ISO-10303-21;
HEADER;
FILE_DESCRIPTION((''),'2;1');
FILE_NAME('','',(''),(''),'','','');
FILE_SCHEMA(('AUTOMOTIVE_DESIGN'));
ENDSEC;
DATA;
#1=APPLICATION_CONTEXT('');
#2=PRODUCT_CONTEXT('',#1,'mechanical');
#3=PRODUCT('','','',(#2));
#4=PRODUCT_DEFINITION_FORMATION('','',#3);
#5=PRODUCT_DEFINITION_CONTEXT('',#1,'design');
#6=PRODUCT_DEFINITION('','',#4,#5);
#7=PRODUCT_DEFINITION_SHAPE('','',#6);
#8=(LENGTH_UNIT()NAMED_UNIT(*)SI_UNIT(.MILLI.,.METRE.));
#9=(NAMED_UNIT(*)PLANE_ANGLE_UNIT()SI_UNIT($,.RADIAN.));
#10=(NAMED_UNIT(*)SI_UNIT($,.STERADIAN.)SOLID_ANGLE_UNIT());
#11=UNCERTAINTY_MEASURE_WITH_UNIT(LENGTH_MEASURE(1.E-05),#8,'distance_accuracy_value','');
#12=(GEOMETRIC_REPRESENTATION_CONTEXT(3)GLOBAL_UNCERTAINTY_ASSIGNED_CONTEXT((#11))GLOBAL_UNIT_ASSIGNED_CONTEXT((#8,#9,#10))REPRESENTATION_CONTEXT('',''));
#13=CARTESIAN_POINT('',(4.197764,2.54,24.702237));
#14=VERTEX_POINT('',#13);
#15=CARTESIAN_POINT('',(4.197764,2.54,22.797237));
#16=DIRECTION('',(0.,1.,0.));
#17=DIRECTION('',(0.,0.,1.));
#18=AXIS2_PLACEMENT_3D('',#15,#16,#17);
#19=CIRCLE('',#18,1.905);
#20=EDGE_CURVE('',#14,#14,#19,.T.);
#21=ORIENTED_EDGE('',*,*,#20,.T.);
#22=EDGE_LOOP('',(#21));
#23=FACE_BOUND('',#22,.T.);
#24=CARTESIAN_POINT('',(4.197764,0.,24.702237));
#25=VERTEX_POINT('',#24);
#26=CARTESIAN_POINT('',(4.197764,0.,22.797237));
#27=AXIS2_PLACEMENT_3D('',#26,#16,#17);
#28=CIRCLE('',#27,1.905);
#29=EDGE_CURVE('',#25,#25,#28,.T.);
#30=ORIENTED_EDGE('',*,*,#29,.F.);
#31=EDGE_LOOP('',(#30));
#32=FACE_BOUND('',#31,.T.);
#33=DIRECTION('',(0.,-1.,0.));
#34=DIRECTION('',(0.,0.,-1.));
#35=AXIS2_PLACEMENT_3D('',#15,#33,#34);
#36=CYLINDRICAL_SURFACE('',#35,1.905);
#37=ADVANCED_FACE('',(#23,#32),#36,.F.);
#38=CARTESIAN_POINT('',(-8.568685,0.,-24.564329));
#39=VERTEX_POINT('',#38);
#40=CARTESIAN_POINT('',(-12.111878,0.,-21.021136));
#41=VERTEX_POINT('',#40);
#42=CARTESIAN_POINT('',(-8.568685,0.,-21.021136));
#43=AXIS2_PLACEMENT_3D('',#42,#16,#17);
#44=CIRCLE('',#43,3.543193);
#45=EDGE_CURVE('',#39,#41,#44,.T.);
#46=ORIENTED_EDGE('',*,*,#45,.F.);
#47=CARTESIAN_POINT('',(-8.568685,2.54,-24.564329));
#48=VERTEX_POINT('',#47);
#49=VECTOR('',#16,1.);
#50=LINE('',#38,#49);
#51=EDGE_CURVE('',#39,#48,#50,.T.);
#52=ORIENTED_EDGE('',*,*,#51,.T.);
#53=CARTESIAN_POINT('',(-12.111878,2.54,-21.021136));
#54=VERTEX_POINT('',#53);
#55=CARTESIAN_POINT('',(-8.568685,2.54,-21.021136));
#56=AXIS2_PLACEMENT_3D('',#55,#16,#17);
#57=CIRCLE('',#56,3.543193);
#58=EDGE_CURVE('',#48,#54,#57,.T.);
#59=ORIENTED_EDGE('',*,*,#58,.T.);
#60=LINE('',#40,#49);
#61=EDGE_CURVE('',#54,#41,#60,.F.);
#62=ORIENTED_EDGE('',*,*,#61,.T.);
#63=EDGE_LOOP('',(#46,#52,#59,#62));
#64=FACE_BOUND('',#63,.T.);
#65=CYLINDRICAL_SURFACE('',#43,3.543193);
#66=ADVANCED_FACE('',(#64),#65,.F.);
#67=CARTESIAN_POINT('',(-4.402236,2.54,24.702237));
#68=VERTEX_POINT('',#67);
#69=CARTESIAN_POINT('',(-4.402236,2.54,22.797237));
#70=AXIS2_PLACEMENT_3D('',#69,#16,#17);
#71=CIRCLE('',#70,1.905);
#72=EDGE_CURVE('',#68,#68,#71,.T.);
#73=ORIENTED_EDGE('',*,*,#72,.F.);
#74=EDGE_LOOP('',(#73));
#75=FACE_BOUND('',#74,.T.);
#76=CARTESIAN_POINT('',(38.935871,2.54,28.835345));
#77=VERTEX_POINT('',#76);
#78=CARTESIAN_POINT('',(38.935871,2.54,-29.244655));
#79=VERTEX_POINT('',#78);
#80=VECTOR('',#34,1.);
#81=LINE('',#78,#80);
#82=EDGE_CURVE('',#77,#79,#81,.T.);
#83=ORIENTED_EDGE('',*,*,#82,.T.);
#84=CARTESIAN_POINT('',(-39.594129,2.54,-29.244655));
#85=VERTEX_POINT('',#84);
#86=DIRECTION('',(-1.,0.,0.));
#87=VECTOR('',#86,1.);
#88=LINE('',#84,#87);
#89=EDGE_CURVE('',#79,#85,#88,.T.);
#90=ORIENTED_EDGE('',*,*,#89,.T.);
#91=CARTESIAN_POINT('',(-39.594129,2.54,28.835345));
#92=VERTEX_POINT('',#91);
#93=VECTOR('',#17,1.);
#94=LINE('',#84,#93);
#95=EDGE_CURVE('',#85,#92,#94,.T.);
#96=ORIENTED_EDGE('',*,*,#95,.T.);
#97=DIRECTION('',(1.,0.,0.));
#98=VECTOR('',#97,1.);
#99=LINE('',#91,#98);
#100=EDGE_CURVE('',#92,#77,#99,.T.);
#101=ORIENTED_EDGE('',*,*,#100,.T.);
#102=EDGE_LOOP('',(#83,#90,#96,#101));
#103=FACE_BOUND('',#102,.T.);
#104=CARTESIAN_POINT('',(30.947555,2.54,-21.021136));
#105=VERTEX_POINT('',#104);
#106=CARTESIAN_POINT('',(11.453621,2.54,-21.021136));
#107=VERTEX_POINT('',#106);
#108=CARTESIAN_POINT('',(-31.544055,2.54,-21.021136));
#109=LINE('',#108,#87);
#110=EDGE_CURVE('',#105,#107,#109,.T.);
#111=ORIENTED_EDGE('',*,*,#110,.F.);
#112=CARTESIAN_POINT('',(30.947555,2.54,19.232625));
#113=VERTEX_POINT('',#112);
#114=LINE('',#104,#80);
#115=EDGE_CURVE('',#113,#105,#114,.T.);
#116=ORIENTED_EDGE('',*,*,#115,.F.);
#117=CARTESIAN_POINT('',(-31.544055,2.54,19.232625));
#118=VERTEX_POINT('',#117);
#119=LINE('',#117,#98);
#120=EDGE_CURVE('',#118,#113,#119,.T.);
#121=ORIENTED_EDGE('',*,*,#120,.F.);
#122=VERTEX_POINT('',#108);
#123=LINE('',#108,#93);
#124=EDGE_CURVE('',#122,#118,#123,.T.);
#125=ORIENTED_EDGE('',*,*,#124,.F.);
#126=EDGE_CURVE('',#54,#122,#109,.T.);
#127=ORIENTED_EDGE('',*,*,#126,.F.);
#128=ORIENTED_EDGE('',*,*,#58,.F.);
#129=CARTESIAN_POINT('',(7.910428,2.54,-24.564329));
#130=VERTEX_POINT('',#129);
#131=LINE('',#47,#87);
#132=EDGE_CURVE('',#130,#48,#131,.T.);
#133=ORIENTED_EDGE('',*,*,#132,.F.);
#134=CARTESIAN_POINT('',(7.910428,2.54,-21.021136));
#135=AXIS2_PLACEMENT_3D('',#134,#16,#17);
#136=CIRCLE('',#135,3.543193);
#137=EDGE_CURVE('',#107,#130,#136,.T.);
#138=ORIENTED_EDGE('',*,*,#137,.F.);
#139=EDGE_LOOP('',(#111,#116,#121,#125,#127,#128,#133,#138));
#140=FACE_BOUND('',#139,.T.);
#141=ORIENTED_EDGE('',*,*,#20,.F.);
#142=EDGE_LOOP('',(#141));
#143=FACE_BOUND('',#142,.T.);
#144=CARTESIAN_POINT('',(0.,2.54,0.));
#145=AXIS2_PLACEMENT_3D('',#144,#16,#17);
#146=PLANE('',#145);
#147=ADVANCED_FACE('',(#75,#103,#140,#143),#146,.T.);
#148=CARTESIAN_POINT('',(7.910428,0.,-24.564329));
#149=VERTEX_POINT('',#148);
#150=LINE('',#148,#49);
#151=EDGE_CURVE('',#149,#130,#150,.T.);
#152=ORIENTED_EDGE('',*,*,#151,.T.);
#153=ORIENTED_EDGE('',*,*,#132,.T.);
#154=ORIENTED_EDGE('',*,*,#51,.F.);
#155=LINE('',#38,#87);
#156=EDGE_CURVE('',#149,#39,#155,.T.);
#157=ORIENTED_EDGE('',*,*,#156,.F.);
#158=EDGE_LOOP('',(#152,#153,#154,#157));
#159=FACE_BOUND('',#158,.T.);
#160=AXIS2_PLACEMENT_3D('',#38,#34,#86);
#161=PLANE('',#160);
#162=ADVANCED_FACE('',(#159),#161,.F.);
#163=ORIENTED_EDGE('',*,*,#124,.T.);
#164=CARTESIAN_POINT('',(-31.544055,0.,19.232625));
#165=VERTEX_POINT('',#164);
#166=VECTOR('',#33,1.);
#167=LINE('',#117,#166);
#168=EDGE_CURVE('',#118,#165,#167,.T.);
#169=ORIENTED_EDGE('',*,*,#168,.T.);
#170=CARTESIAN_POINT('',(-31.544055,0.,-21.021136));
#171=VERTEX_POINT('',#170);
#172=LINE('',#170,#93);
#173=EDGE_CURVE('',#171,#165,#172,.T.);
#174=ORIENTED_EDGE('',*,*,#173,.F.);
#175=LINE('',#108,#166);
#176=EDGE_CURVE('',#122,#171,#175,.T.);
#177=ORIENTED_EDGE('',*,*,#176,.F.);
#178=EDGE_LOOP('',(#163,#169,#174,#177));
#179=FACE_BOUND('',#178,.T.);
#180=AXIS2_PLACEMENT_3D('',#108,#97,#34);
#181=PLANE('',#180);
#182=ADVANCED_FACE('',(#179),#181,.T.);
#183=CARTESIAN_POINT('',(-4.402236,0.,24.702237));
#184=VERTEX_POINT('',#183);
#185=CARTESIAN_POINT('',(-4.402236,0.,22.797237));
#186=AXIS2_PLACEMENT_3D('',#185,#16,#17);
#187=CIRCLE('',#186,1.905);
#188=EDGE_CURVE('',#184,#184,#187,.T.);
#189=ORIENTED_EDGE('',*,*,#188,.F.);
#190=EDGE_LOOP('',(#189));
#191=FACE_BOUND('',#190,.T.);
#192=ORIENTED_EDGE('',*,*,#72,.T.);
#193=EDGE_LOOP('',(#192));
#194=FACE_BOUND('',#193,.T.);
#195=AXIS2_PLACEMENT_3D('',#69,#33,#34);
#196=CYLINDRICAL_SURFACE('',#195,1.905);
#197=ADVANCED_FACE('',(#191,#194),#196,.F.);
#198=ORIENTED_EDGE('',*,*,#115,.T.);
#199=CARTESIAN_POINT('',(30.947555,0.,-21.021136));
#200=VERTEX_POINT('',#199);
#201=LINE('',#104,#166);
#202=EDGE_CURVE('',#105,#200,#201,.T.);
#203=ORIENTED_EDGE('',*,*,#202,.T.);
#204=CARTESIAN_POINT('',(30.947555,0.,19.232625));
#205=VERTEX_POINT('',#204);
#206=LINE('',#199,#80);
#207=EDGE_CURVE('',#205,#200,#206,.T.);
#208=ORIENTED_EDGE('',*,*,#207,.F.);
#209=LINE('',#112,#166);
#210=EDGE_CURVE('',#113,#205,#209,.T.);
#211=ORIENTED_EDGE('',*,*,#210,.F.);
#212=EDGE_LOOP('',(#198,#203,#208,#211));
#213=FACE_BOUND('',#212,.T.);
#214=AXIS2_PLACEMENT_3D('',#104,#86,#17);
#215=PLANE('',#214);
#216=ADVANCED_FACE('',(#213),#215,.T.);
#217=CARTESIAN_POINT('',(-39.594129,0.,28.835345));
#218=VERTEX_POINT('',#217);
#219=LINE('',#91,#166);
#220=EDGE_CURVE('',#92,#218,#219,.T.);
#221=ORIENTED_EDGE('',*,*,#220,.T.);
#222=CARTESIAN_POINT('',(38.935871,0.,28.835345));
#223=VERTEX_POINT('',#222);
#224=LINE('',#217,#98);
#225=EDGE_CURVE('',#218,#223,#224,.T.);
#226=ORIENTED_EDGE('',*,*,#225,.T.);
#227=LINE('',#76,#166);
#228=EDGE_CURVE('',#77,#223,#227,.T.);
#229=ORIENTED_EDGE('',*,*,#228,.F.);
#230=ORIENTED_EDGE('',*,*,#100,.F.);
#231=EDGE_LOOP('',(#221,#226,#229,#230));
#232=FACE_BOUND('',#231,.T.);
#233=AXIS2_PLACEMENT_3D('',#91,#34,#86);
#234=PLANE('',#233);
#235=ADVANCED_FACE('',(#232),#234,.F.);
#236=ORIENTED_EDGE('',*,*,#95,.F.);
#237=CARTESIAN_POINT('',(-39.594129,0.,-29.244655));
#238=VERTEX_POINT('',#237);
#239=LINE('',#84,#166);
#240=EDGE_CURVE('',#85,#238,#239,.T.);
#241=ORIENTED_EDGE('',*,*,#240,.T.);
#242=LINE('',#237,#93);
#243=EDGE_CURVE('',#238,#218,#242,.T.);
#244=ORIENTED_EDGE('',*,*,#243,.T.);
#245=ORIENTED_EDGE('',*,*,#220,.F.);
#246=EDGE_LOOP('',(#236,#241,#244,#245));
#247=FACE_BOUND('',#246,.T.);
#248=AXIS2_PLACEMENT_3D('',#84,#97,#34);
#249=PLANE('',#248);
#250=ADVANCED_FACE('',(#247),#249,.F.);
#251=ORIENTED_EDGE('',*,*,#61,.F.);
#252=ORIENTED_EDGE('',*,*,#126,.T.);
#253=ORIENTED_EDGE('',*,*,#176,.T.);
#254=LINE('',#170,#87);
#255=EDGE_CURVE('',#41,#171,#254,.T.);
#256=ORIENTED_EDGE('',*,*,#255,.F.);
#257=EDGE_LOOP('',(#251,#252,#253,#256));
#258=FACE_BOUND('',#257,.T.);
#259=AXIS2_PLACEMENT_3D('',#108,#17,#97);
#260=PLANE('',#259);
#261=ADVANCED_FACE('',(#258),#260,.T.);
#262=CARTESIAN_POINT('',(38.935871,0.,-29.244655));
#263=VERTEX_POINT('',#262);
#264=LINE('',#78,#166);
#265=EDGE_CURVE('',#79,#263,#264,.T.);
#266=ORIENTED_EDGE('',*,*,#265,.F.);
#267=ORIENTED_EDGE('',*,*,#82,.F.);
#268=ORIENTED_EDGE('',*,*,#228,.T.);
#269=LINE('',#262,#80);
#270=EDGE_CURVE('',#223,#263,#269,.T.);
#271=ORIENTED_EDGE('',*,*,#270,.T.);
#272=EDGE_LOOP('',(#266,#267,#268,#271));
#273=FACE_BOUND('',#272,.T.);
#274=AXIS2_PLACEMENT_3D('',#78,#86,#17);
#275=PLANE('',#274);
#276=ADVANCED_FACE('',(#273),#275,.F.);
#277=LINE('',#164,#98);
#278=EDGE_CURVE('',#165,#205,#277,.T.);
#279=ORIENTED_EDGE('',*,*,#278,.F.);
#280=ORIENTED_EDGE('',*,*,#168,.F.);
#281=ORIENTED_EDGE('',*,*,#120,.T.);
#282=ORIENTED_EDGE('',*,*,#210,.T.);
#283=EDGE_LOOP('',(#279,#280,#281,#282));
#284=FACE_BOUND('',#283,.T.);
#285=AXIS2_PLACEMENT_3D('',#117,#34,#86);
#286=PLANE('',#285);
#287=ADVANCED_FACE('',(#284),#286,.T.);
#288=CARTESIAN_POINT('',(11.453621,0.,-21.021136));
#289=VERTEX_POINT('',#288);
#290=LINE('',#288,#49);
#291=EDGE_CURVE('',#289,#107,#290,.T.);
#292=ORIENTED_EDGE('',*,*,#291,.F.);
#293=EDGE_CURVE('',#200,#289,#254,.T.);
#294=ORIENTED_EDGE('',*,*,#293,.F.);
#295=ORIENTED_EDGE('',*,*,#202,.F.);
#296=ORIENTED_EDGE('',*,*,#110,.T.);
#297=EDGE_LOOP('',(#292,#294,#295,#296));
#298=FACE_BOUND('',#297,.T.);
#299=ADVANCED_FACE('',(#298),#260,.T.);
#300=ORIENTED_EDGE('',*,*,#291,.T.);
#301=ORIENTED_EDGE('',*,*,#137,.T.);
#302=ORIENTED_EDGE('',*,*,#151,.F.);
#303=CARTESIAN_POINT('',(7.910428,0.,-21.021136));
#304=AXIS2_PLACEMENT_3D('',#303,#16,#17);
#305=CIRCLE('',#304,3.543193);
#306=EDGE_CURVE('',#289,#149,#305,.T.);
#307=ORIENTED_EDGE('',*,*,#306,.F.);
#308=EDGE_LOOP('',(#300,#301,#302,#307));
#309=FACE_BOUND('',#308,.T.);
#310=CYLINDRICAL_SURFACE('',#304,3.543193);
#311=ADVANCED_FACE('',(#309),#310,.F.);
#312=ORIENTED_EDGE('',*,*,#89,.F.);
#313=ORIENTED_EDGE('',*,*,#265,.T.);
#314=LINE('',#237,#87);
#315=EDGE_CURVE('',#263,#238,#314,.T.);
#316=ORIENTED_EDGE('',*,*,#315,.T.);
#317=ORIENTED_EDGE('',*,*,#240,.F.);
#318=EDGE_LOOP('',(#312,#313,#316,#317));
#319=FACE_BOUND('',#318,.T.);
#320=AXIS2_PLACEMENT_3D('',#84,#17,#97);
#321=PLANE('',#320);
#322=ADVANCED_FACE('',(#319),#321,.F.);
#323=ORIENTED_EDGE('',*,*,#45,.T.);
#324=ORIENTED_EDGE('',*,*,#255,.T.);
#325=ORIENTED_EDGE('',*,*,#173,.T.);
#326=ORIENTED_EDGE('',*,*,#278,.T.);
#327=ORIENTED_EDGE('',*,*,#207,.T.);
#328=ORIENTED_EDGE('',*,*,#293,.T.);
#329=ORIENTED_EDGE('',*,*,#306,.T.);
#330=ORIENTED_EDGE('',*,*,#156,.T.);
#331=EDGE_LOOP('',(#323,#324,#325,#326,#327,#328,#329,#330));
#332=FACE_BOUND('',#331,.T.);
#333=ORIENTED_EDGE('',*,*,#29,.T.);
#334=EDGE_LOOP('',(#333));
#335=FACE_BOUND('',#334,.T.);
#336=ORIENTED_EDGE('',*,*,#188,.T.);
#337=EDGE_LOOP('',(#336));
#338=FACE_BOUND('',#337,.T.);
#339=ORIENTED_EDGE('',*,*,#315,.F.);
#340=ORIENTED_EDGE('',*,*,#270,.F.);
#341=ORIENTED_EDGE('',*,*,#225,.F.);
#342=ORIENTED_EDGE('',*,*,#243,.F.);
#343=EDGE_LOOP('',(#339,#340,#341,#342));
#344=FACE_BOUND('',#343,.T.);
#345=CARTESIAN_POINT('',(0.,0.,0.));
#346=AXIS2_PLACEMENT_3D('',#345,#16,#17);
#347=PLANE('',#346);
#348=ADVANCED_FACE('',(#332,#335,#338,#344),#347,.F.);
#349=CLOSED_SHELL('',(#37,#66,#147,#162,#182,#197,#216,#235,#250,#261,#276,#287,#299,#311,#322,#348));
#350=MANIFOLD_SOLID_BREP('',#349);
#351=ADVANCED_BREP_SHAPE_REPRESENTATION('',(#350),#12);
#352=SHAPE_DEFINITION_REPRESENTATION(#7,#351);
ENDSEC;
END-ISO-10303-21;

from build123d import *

# Parameters (mm, degrees)
SKETCH1_W           = 78.53
SKETCH1_H           = 58.08
SKETCH1_R           = 1.905
SKETCH1_W_2         = 62.491610006
SKETCH1_H_2         = 40.253760829
BOSS_EXTRUDE1_DEPTH = 2.54
CUT_EXTRUDE1_DEPTH  = 2.54


with BuildPart() as part:
    # Sketch1 → Boss-Extrude1 (new body)
    with BuildSketch(Plane(origin=(0, 0, 0), x_dir=(1, 0, 0), z_dir=(0, 1, 0))):
        with Locations((-0.329128556, 0.204655215)):
            Rectangle(SKETCH1_W, SKETCH1_H)
        with Locations(Location((-4.402236218, -22.797237123, 0), (0, 0, 270))):
            Circle(SKETCH1_R, mode=Mode.SUBTRACT)
        with Locations(Location((4.197763782, -22.797237123, 0), (0, 0, 270))):
            Circle(SKETCH1_R, mode=Mode.SUBTRACT)
        with Locations((-0.298250033, 0.894255625)):
            Rectangle(SKETCH1_W_2, SKETCH1_H_2, mode=Mode.SUBTRACT)
    extrude(amount=BOSS_EXTRUDE1_DEPTH)

    # Sketch2 → Cut-Extrude1 (cut)
    with BuildSketch(Plane(origin=(0, 2.54, 0), x_dir=(1, 0, 0), z_dir=(0, 1, 0))):
        with BuildLine():
            Line((-8.568685341, 24.564329148), (7.910428229, 24.564329148))
            ThreePointArc((7.910428229, 24.564329148), (11.453621336, 21.02113604), (7.910428229, 17.477942933))
            Line((7.910428229, 17.477942933), (-8.568685341, 17.477942933))
            ThreePointArc((-8.568685341, 17.477942933), (-12.111878448, 21.02113604), (-8.568685341, 24.564329148))
        make_face()
    extrude(amount=-CUT_EXTRUDE1_DEPTH, mode=Mode.SUBTRACT)


solid = part.part
